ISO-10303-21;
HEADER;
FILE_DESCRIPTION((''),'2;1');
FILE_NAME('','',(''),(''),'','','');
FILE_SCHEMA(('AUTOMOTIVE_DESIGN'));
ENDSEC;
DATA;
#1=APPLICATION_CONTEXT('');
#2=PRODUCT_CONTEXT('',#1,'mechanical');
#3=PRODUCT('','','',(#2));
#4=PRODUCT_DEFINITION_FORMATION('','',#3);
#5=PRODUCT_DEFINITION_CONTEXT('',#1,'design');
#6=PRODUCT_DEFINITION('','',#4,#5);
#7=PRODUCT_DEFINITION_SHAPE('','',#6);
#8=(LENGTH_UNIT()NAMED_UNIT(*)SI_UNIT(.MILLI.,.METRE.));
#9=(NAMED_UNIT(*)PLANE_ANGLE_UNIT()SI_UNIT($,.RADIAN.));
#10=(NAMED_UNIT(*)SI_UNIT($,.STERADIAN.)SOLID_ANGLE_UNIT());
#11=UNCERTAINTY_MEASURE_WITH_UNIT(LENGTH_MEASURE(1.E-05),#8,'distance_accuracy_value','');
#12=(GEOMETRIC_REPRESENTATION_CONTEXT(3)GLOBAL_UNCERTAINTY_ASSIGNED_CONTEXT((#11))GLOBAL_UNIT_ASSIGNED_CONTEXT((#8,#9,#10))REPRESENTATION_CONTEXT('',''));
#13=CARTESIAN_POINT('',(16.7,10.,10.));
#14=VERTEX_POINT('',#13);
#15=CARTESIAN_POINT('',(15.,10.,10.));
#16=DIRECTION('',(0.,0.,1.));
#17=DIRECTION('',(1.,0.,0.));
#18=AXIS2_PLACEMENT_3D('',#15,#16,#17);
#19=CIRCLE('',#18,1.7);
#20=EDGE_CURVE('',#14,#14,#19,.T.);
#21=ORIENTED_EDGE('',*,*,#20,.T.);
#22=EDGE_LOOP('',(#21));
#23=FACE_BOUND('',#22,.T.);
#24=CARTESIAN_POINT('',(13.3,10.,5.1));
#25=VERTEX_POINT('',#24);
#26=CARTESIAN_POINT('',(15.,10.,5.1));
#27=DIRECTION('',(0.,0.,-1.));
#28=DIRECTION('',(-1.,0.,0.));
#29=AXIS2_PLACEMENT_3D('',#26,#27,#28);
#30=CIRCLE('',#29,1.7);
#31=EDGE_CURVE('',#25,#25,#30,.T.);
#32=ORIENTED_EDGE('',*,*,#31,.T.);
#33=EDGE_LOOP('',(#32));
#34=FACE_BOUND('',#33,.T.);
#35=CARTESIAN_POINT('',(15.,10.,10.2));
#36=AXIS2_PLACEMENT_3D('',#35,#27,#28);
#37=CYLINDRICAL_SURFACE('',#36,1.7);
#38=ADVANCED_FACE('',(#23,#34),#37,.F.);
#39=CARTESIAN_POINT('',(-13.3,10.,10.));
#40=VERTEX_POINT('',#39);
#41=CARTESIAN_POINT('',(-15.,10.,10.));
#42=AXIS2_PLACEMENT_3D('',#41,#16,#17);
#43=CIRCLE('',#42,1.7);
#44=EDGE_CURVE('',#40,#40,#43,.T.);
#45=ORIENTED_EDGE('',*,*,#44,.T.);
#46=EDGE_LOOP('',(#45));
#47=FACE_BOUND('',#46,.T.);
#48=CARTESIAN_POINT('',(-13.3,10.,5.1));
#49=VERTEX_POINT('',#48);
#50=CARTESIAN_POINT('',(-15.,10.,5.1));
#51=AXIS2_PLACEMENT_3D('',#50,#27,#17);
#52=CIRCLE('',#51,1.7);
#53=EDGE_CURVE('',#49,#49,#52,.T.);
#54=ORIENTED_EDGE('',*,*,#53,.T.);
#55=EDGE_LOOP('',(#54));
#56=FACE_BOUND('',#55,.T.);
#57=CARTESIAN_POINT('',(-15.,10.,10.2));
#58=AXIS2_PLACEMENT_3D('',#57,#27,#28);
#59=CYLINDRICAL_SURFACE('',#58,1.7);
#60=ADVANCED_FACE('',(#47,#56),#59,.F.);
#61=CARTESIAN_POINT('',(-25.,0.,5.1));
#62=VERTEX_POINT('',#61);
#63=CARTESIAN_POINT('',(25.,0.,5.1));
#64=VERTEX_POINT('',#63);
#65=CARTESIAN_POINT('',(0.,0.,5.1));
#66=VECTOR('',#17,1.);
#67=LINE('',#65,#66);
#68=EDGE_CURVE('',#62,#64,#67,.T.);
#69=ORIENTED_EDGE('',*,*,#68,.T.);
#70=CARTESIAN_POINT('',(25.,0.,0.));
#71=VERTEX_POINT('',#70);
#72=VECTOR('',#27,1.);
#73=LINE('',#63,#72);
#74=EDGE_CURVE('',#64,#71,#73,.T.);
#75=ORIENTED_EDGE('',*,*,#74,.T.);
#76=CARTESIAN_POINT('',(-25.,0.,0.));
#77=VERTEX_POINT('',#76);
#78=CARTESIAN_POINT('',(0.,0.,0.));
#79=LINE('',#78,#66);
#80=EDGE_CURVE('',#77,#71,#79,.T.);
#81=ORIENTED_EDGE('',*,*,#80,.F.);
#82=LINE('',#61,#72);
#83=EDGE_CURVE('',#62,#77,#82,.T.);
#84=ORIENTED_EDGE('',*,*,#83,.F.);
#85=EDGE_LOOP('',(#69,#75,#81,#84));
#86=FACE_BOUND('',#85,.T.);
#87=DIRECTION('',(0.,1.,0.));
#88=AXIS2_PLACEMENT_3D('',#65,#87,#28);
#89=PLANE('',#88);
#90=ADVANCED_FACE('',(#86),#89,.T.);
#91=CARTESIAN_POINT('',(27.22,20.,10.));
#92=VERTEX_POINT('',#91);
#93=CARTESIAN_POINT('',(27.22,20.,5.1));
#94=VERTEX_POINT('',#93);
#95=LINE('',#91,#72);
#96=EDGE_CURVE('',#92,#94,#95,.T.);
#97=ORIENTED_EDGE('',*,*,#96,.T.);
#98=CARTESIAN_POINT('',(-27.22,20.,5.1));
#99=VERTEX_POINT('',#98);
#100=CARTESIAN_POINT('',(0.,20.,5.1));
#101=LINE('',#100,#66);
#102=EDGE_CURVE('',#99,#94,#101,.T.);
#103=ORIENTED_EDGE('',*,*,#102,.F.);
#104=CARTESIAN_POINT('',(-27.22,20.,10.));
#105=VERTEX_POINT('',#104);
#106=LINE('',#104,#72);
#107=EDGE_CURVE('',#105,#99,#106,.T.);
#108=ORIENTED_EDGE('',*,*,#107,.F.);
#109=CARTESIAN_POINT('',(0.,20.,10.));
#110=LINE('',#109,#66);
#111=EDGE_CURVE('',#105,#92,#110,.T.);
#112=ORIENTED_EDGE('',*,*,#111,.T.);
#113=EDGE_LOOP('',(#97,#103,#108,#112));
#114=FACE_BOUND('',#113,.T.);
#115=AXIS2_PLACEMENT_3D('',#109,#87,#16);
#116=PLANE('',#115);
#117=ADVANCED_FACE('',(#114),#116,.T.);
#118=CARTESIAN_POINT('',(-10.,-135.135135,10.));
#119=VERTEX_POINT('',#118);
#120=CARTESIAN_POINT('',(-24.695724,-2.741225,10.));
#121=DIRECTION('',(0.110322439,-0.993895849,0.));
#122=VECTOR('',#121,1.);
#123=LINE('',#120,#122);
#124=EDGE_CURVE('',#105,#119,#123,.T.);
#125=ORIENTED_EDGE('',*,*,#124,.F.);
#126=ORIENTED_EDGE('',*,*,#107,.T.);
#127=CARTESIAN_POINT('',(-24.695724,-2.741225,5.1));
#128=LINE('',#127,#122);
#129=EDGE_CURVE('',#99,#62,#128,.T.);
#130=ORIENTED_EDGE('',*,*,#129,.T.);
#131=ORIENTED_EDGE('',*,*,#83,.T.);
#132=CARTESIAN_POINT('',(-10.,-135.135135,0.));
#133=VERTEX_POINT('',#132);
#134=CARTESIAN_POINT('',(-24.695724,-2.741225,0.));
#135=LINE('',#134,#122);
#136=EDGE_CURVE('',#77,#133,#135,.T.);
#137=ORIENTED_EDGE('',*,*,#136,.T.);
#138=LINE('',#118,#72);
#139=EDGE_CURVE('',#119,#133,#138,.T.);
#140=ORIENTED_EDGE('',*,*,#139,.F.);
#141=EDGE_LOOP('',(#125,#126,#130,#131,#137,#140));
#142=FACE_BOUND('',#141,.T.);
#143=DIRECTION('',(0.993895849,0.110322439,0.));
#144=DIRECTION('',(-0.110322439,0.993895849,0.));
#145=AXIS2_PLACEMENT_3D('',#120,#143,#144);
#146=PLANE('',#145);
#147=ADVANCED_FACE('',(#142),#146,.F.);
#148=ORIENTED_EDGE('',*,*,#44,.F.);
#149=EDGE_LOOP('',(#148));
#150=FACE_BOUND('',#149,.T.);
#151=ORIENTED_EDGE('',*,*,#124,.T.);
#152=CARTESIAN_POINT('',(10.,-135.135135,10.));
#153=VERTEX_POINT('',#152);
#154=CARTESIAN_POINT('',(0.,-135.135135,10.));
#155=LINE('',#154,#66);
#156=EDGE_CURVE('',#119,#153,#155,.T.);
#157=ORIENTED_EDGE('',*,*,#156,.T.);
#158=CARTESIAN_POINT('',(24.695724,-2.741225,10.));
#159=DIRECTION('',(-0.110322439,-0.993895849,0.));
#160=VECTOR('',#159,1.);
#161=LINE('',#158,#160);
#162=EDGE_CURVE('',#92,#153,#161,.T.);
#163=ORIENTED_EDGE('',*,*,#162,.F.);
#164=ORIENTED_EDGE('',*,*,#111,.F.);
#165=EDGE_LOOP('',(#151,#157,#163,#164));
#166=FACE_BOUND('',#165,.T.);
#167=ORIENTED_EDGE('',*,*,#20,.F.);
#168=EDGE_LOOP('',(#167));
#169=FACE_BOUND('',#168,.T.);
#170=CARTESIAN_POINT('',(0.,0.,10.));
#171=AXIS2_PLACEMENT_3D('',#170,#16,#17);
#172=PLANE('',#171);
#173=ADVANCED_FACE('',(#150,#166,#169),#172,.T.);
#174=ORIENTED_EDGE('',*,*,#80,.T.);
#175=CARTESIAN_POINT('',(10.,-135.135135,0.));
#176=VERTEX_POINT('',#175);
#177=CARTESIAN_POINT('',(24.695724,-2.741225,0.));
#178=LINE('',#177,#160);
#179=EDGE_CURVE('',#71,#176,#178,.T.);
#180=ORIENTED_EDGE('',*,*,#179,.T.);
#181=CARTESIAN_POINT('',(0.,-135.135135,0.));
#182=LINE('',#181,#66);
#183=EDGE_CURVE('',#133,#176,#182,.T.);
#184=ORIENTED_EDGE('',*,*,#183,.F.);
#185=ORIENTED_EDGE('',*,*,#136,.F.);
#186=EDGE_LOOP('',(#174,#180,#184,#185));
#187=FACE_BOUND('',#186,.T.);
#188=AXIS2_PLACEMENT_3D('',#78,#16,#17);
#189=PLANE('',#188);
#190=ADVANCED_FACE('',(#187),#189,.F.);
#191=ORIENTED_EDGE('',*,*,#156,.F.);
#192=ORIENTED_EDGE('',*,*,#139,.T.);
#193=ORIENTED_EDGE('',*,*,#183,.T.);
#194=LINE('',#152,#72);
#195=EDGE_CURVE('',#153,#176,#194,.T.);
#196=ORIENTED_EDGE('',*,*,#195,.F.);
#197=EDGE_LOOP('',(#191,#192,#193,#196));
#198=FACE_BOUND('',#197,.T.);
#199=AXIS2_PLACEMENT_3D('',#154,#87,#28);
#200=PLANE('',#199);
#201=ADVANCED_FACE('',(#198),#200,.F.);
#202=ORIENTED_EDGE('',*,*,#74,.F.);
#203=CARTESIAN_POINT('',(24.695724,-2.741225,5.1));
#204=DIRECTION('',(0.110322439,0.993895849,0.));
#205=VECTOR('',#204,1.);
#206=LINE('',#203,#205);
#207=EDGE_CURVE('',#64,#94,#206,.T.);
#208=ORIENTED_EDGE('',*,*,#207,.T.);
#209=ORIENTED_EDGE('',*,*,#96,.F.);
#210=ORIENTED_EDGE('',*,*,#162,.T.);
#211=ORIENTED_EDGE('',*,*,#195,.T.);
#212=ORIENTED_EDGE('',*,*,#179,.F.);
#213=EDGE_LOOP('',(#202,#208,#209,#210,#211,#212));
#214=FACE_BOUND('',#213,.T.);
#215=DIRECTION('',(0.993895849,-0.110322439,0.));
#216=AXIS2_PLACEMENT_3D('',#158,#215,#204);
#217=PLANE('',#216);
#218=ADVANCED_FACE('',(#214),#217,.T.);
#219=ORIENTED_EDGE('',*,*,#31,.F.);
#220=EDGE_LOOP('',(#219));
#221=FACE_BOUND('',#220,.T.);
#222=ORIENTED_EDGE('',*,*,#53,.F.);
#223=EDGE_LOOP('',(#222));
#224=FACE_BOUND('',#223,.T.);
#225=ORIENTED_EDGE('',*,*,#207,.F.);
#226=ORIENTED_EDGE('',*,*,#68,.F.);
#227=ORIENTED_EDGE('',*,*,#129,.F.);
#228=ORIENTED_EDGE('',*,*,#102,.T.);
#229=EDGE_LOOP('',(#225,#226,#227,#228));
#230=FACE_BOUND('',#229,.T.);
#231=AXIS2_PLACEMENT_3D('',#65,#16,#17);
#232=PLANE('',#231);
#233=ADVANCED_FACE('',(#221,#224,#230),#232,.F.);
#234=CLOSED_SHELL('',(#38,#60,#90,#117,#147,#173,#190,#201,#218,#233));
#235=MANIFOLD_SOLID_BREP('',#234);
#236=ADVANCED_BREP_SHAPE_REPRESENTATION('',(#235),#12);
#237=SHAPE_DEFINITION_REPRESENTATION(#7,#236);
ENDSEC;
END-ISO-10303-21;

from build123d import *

# Parameters (mm, degrees)
BOSS_EXTRUDE1_DEPTH = 10
CUT_EXTRUDE1_DEPTH  = 5.1
SKETCH2_R           = 1.7
CUT_EXTRUDE2_DEPTH  = 5.1


with BuildPart() as part:
    # Sketch1 → Boss-Extrude1 (new body)
    with BuildSketch(Plane.XY):
        Polygon((-27.22, 20), (-10, -135.135135135), (10, -135.135135135), (27.22, 20), align=None)
    extrude(amount=BOSS_EXTRUDE1_DEPTH)

    # Sketch1<3> → Cut-Extrude1 (cut)
    with BuildSketch(Plane.XY):
        Polygon((-27.22, 20), (-25, 0), (25, 0), (27.22, 20), align=None)
    extrude(amount=CUT_EXTRUDE1_DEPTH, mode=Mode.SUBTRACT)

    # Sketch2 → Cut-Extrude2 (cut)
    with BuildSketch(Plane(origin=(0, 0, 5.1), x_dir=(-1, 0, 0), z_dir=(0, 0, -1))):
        with Locations((-15, 10)):
            Circle(SKETCH2_R)
        with Locations((15, 10)):
            Circle(SKETCH2_R)
    extrude(amount=-CUT_EXTRUDE2_DEPTH, mode=Mode.SUBTRACT)


solid = part.part
